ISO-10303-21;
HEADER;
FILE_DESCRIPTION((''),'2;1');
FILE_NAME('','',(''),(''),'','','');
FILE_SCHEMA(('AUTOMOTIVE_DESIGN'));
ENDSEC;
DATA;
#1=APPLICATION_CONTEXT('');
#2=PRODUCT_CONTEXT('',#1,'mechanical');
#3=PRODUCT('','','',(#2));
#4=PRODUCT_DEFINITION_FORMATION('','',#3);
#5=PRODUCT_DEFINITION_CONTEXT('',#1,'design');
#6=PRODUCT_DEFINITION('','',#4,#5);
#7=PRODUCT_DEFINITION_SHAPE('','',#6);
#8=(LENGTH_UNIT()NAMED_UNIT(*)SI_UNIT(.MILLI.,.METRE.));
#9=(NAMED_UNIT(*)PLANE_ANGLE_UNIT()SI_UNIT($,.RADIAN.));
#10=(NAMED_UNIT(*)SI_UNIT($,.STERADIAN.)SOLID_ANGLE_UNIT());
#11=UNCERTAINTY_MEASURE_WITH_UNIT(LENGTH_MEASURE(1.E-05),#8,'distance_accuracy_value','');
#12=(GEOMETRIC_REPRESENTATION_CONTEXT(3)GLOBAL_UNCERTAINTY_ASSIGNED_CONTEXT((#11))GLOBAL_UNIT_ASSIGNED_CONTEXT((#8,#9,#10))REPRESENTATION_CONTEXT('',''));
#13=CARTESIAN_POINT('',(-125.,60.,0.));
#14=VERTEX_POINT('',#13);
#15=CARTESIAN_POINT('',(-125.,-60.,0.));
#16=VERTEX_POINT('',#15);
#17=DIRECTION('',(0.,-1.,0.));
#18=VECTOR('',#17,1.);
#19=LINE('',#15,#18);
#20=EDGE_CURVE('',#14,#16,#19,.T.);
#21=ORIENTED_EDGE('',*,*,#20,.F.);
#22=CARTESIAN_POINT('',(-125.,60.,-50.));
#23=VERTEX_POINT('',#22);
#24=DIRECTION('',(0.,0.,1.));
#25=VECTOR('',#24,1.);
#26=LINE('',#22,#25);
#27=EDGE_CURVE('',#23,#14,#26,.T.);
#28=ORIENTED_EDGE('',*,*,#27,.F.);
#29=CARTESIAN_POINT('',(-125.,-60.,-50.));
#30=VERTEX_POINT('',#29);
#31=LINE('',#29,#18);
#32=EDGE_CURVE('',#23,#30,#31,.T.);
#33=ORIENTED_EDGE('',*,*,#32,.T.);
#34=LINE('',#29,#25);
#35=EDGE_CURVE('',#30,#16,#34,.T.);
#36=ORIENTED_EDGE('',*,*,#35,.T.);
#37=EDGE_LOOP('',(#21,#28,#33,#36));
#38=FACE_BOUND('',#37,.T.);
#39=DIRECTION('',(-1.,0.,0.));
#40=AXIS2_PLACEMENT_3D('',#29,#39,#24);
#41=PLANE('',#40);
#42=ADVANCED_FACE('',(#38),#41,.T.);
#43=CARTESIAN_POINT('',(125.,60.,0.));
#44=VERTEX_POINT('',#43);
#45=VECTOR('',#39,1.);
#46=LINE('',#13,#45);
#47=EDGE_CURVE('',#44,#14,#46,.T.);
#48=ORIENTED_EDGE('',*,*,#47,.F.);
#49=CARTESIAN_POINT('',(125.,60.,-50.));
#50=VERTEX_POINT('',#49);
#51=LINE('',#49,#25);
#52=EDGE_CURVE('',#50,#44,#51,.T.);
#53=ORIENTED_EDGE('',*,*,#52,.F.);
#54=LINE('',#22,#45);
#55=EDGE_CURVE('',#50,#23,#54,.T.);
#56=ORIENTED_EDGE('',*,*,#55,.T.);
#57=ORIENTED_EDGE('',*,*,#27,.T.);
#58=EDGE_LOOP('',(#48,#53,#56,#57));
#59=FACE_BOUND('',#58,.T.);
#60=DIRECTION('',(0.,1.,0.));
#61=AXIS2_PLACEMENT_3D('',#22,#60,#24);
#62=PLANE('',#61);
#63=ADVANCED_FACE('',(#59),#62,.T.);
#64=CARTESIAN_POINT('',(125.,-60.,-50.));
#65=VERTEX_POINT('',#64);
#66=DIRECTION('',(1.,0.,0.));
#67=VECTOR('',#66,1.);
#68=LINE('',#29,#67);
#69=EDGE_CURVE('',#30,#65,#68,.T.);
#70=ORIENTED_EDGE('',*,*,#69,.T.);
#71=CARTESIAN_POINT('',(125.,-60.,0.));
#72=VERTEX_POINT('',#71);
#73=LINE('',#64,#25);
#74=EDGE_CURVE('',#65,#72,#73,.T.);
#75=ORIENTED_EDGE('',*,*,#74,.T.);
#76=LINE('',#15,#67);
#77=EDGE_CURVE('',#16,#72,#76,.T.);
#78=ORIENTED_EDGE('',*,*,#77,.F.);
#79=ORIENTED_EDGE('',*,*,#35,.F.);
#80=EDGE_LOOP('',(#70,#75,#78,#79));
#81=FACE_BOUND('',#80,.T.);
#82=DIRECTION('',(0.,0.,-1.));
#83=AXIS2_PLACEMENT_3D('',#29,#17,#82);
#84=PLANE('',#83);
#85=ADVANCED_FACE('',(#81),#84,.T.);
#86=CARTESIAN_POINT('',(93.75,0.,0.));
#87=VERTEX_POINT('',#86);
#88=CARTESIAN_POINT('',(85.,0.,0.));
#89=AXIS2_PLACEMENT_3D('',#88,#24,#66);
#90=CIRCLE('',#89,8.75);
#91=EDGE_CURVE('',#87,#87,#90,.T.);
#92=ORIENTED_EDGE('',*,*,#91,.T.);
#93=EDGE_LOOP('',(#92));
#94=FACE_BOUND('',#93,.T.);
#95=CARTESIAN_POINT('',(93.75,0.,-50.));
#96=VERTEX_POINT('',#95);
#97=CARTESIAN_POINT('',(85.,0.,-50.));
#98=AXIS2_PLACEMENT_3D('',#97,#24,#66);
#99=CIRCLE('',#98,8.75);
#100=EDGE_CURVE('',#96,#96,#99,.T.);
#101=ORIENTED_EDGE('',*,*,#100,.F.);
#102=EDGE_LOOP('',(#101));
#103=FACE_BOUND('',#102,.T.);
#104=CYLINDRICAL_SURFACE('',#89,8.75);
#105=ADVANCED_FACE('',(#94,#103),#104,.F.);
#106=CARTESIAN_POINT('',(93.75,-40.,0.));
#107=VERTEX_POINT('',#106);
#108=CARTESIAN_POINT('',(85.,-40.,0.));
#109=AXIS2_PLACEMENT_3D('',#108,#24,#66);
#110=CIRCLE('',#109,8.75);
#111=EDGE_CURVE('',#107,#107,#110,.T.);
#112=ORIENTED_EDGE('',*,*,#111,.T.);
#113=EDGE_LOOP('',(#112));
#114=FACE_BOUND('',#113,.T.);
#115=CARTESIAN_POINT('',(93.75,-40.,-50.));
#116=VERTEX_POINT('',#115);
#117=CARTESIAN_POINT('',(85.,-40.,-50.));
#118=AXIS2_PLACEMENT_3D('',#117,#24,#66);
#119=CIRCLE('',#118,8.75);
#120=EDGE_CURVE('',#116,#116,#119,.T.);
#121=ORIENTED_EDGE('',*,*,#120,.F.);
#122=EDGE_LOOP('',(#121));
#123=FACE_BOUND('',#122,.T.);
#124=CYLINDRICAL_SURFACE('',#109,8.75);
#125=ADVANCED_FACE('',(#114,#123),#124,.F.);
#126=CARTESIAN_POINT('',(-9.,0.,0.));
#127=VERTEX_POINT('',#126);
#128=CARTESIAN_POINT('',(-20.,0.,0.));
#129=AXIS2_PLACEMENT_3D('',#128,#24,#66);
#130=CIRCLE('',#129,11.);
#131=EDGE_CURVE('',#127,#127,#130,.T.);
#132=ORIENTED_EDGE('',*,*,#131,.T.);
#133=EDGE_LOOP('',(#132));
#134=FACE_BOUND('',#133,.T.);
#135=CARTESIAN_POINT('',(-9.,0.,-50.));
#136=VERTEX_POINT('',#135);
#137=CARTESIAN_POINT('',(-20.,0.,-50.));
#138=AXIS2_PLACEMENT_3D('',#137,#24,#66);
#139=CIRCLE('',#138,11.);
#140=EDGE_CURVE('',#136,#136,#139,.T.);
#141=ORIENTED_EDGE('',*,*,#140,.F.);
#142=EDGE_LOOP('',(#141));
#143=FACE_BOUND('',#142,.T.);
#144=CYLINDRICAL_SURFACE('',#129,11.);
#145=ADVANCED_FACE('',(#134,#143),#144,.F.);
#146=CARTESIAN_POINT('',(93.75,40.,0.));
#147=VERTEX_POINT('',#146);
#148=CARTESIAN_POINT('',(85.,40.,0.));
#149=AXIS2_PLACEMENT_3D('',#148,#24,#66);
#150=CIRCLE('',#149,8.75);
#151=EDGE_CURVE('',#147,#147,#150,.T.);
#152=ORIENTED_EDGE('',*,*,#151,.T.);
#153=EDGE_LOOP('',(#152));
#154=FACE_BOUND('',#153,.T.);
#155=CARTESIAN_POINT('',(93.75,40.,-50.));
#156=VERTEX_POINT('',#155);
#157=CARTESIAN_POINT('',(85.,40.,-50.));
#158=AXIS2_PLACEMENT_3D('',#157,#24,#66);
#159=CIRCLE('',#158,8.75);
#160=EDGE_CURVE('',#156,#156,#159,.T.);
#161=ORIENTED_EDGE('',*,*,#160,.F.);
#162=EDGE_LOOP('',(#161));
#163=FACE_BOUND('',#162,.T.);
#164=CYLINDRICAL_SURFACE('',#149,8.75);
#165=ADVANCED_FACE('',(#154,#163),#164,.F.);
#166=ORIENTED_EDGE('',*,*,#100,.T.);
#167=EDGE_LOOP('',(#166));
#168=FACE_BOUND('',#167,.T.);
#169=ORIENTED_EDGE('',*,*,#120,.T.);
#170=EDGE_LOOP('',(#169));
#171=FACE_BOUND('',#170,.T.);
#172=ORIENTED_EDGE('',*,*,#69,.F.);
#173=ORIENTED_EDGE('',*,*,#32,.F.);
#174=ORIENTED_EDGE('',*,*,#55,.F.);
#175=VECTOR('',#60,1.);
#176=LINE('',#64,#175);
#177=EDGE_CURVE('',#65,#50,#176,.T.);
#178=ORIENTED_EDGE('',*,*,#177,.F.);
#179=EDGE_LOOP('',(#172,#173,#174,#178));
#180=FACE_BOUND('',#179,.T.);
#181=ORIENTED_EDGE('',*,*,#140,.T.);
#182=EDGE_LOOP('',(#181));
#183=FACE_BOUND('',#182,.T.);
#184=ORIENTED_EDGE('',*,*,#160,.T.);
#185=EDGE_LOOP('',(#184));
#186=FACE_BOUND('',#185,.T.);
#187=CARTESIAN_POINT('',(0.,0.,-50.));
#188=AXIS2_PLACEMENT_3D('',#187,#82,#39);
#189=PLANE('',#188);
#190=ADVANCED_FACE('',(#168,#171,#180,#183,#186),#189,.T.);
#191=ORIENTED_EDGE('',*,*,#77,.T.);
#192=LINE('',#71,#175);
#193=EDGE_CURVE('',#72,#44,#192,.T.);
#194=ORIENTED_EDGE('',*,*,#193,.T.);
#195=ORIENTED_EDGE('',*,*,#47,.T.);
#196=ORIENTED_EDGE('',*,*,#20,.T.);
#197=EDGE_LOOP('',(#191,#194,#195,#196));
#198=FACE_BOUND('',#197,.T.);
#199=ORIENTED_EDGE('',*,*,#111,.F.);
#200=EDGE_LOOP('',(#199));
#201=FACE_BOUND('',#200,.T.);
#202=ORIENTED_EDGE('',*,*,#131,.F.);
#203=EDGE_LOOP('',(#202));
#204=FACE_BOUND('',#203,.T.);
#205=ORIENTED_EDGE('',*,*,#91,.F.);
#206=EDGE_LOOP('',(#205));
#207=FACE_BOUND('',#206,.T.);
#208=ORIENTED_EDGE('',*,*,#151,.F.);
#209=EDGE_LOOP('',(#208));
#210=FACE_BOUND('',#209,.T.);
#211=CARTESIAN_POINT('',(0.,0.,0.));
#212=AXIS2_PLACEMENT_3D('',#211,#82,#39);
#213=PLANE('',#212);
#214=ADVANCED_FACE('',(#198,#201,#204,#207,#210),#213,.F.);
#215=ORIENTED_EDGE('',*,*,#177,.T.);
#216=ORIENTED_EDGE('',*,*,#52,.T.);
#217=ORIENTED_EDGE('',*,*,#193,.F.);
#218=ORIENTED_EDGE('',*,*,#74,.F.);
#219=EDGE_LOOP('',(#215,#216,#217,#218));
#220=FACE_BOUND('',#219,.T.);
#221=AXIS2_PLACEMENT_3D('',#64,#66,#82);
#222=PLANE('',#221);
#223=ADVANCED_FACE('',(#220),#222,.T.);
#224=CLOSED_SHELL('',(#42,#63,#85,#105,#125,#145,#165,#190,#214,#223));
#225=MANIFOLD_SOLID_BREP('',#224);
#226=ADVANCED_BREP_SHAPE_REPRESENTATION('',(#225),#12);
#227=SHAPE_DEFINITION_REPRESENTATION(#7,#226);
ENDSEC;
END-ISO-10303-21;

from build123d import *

# Parameters (mm, degrees)
SKETCH1_W                  = 250
SKETCH1_H                  = 120
BOSS_EXTRUDE1_DEPTH        = 50
F_22_0_22_DIAMETER_HOLE1_D = 22
M20_TAPPED_HOLE1_D         = 17.5
LPATTERN1_COUNT            = 2
LPATTERN1_PITCH            = 40
LPATTERN1_COL_COUNT        = 2
LPATTERN1_COL_PITCH        = 40


with BuildPart() as part:
    # Sketch1 → Boss-Extrude1 (new body)
    with BuildSketch(Plane.XY):
        Rectangle(SKETCH1_W, SKETCH1_H)
    extrude(amount=-BOSS_EXTRUDE1_DEPTH)

    # Ø22.0 (22) Diameter Hole1 (through all)
    with Locations(Plane.XY):
        with Locations((-20, 0)):
            Hole(F_22_0_22_DIAMETER_HOLE1_D / 2)

    # M20 Tapped Hole1 (through all)
    with Locations(Plane.XY):
        with Locations((85, 0)):
            m20_tapped_hole1 = Hole(M20_TAPPED_HOLE1_D / 2)

    # LPattern1: M20 Tapped Hole1 ×2
    with Locations(*[(0, -i * LPATTERN1_PITCH, 0) for i in range(1, LPATTERN1_COUNT)]):
        add(m20_tapped_hole1, mode=Mode.SUBTRACT)

    # LPattern1 col: M20 Tapped Hole1 ×2
    with Locations(*[(0, i * LPATTERN1_COL_PITCH, 0) for i in range(1, LPATTERN1_COL_COUNT)]):
        add(m20_tapped_hole1, mode=Mode.SUBTRACT)


solid = part.part
